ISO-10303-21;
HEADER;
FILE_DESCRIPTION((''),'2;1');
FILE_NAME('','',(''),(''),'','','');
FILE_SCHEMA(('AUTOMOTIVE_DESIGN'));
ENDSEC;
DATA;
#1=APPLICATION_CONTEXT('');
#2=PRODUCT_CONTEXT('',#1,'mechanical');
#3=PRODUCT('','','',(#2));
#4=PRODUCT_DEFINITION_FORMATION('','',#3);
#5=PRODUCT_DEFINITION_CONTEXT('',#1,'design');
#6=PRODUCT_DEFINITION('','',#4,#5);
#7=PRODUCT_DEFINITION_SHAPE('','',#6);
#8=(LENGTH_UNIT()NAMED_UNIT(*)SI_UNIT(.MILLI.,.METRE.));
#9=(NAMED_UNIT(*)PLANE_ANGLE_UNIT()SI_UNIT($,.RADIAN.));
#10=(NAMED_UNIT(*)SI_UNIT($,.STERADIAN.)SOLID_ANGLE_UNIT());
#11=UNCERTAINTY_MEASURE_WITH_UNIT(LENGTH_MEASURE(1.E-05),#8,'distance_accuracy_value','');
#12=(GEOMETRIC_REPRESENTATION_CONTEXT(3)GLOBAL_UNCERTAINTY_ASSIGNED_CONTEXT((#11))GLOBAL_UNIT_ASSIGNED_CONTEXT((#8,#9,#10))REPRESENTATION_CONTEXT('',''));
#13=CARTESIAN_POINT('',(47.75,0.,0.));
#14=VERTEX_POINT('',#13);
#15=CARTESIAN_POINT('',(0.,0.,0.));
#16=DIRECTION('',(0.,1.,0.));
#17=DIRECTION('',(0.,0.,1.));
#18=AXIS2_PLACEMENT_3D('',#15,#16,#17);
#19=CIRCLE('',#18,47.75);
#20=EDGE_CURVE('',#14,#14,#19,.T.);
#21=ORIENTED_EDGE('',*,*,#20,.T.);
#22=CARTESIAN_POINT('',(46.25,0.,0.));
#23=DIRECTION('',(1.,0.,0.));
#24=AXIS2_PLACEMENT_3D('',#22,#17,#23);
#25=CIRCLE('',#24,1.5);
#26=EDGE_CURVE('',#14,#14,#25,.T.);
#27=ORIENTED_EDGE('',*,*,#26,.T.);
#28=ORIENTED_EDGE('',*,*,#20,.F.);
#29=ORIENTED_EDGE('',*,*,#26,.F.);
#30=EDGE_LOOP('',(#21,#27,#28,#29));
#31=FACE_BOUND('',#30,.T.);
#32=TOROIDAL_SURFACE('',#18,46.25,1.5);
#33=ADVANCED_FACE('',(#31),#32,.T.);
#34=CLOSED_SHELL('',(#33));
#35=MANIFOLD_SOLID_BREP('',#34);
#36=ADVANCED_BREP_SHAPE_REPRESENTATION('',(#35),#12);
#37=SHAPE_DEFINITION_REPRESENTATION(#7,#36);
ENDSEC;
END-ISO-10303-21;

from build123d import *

# Parameters (mm, degrees)
SKETCH_2_R = 1.5


with BuildPart() as part:
    # 扫描1: sweep along a path in 草图1
    with BuildLine(Plane(origin=(0, 0, 0), x_dir=(1, 0, 0), z_dir=(0, 1, 0))) as sweep_1_path:
        CenterArc((0, 0), 46.25, 0, 360)
    # 草图2 → 扫描1 (sweep)
    with BuildSketch(Plane.XY):
        with Locations((46.25, 0)):
            Circle(SKETCH_2_R)
    sweep(path=sweep_1_path.line)


solid = part.part
